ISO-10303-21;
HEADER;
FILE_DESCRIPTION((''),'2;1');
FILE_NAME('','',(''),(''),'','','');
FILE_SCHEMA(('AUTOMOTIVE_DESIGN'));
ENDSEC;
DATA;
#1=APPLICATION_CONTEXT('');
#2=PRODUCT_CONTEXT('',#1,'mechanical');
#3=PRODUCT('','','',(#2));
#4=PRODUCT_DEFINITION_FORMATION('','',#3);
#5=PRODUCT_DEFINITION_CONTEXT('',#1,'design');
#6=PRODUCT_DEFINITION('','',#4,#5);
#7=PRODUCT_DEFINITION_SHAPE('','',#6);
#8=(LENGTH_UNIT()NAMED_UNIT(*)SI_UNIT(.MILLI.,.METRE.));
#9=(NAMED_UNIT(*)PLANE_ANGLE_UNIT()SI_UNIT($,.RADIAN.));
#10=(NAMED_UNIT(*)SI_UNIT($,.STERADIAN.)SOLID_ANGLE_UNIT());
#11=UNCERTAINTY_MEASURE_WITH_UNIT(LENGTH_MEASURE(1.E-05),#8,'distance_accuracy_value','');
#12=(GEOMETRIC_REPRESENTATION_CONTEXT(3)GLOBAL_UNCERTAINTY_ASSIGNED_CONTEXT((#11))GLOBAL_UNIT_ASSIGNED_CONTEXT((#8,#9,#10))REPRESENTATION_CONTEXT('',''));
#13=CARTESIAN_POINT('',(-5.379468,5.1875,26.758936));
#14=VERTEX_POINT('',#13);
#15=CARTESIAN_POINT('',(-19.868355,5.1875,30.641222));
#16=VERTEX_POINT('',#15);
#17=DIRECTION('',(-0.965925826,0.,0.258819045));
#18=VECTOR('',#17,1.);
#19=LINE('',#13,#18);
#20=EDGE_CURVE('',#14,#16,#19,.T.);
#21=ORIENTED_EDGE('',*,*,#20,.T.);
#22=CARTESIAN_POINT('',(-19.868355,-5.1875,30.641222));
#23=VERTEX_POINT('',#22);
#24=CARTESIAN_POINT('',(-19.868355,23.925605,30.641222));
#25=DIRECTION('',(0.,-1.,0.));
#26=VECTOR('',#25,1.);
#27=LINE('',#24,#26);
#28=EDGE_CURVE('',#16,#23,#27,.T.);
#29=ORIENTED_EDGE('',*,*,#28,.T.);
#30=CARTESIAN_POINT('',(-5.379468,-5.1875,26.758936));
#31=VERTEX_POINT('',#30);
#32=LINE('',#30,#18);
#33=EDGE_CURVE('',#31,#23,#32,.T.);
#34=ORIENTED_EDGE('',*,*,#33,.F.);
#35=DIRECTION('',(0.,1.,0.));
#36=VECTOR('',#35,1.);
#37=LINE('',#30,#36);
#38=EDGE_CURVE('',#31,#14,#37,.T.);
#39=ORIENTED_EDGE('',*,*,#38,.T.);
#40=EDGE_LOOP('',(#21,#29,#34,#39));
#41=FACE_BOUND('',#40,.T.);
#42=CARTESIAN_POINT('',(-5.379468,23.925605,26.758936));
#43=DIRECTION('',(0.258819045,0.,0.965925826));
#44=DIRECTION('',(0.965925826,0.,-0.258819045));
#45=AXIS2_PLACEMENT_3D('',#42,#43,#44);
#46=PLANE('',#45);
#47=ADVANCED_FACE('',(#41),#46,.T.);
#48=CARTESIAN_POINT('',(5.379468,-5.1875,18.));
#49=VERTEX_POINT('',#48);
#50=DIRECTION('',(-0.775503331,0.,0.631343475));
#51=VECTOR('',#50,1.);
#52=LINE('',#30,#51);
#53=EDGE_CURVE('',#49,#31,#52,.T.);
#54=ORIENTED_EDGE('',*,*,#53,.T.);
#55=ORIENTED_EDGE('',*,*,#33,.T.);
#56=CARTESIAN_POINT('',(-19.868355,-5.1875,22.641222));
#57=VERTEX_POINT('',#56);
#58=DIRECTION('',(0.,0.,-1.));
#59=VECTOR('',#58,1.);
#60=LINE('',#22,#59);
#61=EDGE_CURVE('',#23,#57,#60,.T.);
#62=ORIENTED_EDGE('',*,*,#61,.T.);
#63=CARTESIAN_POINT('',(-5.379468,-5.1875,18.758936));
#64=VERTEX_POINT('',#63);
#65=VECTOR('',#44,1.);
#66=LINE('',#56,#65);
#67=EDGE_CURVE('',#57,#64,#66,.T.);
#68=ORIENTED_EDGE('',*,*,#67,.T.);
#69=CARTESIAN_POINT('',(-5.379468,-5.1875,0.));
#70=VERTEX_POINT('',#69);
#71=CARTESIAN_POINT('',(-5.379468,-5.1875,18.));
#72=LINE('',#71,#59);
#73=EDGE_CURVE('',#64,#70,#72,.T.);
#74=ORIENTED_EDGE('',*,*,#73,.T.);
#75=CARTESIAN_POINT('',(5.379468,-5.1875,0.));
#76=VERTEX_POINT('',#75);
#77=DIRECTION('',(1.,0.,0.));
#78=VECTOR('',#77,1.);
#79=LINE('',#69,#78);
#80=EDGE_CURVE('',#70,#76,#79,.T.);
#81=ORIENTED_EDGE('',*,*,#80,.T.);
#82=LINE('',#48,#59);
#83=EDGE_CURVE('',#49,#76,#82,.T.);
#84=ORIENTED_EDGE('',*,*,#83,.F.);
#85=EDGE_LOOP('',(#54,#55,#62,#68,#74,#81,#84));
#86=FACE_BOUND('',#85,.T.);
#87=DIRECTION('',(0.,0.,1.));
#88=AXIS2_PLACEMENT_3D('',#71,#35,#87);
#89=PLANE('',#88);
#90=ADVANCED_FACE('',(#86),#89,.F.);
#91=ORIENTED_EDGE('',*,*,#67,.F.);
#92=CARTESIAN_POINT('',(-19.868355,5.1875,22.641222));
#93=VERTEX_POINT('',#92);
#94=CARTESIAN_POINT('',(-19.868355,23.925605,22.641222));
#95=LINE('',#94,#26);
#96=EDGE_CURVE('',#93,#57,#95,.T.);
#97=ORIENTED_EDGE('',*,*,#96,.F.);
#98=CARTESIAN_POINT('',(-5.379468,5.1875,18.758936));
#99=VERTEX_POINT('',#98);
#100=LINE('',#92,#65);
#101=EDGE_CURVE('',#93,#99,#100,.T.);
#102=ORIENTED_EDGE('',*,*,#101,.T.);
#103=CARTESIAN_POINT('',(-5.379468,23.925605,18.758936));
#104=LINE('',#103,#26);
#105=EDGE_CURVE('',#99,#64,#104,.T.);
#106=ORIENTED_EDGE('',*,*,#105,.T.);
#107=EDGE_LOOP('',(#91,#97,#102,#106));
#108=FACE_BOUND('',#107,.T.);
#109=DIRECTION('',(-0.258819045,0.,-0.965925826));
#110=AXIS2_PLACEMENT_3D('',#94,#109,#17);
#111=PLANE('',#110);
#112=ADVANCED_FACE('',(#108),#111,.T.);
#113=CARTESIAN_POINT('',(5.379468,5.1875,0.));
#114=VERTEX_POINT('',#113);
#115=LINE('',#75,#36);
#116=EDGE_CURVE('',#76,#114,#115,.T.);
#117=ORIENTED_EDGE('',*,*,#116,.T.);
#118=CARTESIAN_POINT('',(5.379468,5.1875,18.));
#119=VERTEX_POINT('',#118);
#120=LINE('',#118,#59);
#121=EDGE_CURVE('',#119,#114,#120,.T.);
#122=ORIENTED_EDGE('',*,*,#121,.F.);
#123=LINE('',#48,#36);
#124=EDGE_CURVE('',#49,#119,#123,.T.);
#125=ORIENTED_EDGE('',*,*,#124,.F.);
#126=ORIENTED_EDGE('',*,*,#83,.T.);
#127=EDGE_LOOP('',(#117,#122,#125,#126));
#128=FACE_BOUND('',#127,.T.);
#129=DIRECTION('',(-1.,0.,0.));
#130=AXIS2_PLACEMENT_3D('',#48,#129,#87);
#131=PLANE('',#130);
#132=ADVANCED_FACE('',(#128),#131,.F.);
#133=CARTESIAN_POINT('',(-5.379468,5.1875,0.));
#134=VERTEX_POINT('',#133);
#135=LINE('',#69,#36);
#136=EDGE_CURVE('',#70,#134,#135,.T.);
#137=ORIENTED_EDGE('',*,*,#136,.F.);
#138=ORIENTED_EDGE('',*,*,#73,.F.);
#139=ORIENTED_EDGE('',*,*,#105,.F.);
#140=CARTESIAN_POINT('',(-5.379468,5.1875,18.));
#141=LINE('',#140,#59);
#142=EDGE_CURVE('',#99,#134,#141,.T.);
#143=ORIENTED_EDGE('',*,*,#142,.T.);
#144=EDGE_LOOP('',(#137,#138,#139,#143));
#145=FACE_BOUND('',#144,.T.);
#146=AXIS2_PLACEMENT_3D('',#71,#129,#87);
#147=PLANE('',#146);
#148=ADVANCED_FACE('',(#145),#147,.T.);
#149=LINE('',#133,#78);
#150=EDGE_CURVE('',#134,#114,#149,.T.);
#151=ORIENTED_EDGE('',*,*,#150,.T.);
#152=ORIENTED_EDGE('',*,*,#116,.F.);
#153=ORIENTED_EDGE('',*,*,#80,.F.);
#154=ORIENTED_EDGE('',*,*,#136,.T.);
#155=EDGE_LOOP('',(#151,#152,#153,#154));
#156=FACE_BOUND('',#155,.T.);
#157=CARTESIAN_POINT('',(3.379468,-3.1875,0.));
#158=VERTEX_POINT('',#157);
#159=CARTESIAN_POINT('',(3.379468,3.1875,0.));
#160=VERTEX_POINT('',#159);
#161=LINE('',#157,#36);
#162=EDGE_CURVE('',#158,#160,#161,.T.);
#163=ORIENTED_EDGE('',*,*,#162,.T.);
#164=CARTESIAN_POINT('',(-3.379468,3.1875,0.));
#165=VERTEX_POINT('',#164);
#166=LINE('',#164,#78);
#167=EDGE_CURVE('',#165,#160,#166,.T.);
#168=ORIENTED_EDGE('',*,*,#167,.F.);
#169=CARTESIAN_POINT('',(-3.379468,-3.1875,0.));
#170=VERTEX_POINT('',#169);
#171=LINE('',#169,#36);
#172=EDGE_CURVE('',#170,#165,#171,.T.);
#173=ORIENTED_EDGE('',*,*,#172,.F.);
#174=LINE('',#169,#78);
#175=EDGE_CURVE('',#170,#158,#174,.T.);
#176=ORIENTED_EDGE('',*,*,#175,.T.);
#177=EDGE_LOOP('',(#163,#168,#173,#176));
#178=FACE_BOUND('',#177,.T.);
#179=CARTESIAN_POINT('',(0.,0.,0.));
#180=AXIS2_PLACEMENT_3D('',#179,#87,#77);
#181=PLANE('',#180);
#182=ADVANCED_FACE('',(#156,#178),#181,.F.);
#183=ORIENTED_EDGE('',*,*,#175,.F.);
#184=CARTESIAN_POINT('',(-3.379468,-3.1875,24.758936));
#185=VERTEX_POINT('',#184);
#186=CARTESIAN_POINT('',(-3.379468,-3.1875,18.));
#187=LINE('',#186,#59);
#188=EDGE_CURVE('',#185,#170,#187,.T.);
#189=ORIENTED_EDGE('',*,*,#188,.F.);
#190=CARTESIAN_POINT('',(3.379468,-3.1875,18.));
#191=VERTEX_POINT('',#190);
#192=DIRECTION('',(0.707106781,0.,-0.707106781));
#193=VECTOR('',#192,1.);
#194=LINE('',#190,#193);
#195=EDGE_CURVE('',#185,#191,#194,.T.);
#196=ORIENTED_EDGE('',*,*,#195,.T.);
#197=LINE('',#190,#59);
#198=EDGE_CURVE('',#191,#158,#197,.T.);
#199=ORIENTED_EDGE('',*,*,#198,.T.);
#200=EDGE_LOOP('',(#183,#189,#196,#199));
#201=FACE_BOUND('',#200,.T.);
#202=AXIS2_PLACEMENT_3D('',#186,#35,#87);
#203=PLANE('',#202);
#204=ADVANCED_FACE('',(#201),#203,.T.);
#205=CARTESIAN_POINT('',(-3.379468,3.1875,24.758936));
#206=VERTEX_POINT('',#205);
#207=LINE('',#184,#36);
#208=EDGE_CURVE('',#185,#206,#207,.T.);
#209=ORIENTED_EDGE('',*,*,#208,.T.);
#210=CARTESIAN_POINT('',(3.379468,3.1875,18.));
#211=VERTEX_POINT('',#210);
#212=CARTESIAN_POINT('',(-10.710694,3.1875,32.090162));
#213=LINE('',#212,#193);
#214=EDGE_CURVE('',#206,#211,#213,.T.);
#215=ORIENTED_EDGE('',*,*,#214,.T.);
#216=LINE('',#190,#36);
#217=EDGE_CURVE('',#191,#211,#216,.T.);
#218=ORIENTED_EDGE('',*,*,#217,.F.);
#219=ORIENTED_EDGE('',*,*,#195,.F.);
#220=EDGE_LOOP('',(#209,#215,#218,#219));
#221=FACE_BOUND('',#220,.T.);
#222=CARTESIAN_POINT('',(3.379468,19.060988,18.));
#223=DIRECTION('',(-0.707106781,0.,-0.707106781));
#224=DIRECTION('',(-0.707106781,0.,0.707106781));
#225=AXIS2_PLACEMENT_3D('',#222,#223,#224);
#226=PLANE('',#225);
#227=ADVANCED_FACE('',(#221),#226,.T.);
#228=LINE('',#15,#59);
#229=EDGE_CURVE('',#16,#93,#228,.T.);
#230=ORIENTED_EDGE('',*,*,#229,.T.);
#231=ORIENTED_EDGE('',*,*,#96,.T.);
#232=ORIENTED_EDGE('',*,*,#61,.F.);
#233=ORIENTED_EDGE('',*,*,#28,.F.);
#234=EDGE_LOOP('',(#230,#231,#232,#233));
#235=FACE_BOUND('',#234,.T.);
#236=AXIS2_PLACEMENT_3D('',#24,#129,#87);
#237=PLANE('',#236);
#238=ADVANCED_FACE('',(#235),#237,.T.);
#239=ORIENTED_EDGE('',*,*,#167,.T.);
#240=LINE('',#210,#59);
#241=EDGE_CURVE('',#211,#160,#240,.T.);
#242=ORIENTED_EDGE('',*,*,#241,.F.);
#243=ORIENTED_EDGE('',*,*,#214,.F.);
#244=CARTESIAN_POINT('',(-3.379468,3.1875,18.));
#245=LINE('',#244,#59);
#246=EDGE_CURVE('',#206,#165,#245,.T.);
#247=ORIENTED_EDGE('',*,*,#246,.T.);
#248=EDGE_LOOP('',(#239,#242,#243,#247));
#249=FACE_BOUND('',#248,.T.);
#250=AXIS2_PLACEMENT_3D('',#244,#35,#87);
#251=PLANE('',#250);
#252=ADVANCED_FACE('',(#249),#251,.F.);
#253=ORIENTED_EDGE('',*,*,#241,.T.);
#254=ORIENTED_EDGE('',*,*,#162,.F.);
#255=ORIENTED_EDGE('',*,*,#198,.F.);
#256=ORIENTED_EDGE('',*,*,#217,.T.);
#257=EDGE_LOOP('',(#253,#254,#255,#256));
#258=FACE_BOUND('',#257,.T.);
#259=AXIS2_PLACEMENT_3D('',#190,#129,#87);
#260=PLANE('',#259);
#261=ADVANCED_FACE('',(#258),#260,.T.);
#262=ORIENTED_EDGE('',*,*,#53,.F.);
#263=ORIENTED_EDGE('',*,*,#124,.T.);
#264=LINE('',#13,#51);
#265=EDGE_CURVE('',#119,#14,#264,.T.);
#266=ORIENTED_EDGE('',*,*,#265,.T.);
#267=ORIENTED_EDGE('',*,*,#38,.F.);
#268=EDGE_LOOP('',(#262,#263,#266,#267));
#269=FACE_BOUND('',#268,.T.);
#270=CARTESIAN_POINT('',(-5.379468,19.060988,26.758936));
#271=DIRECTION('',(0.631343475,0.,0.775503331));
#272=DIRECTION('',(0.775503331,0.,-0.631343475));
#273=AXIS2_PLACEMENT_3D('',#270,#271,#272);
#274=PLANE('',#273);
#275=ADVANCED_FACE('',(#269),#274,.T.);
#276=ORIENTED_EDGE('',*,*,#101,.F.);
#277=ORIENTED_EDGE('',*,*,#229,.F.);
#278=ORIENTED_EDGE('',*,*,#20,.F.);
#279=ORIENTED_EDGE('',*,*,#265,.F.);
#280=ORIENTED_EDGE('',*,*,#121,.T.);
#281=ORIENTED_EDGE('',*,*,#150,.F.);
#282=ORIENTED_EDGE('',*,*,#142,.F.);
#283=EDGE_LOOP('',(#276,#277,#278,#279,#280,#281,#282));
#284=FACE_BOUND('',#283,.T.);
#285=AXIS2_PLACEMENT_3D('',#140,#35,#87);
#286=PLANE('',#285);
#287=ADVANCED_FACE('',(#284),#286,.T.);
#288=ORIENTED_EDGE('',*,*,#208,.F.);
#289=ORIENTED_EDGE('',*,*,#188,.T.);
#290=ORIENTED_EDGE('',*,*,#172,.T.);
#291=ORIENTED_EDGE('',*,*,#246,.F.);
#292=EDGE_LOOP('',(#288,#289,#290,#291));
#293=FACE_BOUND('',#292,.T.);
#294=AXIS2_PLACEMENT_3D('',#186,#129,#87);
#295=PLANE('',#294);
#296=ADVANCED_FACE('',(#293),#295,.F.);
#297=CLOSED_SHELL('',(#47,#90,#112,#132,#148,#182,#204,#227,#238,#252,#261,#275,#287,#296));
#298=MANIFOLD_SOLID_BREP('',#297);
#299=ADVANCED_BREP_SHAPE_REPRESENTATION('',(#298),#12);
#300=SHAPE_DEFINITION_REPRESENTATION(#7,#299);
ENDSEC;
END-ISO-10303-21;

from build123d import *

# Parameters (mm, degrees)
SKETCH1_W           = 10.758936
SKETCH1_H           = 10.375
SKETCH1_W_2         = 6.758936
SKETCH1_H_2         = 6.375
BOSS_EXTRUDE1_DEPTH = 18
BOSS_EXTRUDE2_DEPTH = 2
BOSS_EXTRUDE3_REACH = 21.49
SKETCH3_W           = 10.758936
SKETCH3_H           = 10.375
SKETCH3_W_2         = 6.758936
SKETCH3_H_2         = 6.375
BOSS_EXTRUDE7_DEPTH = 10.375
BOSS_EXTRUDE8_DEPTH = 10.375


with BuildPart() as part:
    # Sketch1 → Boss-Extrude1 (new body)
    with BuildSketch(Plane.XY):
        Rectangle(SKETCH1_W, SKETCH1_H)
        Rectangle(SKETCH1_W_2, SKETCH1_H_2, mode=Mode.SUBTRACT)
    extrude(amount=BOSS_EXTRUDE1_DEPTH)

    # Sketch2 → Boss-Extrude2 (add)
    with BuildSketch(Plane(origin=(0, -3.1875, 0), x_dir=(1, 0, 0), z_dir=(0, 1, 0))):
        Polygon((3.379468, -18), (-3.550178456, -24.929646456), (-3.379468, -18), align=None)
    extrude(amount=-BOSS_EXTRUDE2_DEPTH)

    # Boss-Extrude3: up to this face of the body (flat: up to its plane)
    boss_extrude3_end = Plane(part.part.faces().sort_by_distance((-0.085355228, -4.1875, 21.464823228))[0])
    # Sketch3 → Boss-Extrude3 (add, up to the picked face)
    with BuildSketch(Plane.XY.offset(18), mode=Mode.PRIVATE) as boss_extrude3_sk1:
        Rectangle(SKETCH3_W, SKETCH3_H)
        Rectangle(SKETCH3_W_2, SKETCH3_H_2, mode=Mode.SUBTRACT)
    boss_extrude3_tool1 = split(extrude(boss_extrude3_sk1.sketch, amount=BOSS_EXTRUDE3_REACH, mode=Mode.PRIVATE), bisect_by=boss_extrude3_end, keep=Keep.BOTH, mode=Mode.PRIVATE)
    add(boss_extrude3_tool1.solids().sort_by(Axis((0, -5.038036, 18), (0, 0, 1)))[0])

    # Sketch7 → Boss-Extrude7 (add)
    with BuildSketch(Plane(origin=(0, -5.1875, 0), x_dir=(-1, 0, 0), z_dir=(0, -1, 0))):
        Polygon((5.379468, -26.758936), (19.868355394, -30.641221677), (19.868355394, -22.641221677), (5.379468, -18.758936), align=None)
    extrude(amount=-BOSS_EXTRUDE7_DEPTH)

    # Sketch8 → Boss-Extrude8 (add)
    with BuildSketch(Plane(origin=(0, -5.1875, 0), x_dir=(-1, 0, 0), z_dir=(0, -1, 0))):
        Polygon((5.379468, -26.758936), (-5.379468, -18), (-3.379468, -18), align=None)
    extrude(amount=-BOSS_EXTRUDE8_DEPTH)


solid = part.part
